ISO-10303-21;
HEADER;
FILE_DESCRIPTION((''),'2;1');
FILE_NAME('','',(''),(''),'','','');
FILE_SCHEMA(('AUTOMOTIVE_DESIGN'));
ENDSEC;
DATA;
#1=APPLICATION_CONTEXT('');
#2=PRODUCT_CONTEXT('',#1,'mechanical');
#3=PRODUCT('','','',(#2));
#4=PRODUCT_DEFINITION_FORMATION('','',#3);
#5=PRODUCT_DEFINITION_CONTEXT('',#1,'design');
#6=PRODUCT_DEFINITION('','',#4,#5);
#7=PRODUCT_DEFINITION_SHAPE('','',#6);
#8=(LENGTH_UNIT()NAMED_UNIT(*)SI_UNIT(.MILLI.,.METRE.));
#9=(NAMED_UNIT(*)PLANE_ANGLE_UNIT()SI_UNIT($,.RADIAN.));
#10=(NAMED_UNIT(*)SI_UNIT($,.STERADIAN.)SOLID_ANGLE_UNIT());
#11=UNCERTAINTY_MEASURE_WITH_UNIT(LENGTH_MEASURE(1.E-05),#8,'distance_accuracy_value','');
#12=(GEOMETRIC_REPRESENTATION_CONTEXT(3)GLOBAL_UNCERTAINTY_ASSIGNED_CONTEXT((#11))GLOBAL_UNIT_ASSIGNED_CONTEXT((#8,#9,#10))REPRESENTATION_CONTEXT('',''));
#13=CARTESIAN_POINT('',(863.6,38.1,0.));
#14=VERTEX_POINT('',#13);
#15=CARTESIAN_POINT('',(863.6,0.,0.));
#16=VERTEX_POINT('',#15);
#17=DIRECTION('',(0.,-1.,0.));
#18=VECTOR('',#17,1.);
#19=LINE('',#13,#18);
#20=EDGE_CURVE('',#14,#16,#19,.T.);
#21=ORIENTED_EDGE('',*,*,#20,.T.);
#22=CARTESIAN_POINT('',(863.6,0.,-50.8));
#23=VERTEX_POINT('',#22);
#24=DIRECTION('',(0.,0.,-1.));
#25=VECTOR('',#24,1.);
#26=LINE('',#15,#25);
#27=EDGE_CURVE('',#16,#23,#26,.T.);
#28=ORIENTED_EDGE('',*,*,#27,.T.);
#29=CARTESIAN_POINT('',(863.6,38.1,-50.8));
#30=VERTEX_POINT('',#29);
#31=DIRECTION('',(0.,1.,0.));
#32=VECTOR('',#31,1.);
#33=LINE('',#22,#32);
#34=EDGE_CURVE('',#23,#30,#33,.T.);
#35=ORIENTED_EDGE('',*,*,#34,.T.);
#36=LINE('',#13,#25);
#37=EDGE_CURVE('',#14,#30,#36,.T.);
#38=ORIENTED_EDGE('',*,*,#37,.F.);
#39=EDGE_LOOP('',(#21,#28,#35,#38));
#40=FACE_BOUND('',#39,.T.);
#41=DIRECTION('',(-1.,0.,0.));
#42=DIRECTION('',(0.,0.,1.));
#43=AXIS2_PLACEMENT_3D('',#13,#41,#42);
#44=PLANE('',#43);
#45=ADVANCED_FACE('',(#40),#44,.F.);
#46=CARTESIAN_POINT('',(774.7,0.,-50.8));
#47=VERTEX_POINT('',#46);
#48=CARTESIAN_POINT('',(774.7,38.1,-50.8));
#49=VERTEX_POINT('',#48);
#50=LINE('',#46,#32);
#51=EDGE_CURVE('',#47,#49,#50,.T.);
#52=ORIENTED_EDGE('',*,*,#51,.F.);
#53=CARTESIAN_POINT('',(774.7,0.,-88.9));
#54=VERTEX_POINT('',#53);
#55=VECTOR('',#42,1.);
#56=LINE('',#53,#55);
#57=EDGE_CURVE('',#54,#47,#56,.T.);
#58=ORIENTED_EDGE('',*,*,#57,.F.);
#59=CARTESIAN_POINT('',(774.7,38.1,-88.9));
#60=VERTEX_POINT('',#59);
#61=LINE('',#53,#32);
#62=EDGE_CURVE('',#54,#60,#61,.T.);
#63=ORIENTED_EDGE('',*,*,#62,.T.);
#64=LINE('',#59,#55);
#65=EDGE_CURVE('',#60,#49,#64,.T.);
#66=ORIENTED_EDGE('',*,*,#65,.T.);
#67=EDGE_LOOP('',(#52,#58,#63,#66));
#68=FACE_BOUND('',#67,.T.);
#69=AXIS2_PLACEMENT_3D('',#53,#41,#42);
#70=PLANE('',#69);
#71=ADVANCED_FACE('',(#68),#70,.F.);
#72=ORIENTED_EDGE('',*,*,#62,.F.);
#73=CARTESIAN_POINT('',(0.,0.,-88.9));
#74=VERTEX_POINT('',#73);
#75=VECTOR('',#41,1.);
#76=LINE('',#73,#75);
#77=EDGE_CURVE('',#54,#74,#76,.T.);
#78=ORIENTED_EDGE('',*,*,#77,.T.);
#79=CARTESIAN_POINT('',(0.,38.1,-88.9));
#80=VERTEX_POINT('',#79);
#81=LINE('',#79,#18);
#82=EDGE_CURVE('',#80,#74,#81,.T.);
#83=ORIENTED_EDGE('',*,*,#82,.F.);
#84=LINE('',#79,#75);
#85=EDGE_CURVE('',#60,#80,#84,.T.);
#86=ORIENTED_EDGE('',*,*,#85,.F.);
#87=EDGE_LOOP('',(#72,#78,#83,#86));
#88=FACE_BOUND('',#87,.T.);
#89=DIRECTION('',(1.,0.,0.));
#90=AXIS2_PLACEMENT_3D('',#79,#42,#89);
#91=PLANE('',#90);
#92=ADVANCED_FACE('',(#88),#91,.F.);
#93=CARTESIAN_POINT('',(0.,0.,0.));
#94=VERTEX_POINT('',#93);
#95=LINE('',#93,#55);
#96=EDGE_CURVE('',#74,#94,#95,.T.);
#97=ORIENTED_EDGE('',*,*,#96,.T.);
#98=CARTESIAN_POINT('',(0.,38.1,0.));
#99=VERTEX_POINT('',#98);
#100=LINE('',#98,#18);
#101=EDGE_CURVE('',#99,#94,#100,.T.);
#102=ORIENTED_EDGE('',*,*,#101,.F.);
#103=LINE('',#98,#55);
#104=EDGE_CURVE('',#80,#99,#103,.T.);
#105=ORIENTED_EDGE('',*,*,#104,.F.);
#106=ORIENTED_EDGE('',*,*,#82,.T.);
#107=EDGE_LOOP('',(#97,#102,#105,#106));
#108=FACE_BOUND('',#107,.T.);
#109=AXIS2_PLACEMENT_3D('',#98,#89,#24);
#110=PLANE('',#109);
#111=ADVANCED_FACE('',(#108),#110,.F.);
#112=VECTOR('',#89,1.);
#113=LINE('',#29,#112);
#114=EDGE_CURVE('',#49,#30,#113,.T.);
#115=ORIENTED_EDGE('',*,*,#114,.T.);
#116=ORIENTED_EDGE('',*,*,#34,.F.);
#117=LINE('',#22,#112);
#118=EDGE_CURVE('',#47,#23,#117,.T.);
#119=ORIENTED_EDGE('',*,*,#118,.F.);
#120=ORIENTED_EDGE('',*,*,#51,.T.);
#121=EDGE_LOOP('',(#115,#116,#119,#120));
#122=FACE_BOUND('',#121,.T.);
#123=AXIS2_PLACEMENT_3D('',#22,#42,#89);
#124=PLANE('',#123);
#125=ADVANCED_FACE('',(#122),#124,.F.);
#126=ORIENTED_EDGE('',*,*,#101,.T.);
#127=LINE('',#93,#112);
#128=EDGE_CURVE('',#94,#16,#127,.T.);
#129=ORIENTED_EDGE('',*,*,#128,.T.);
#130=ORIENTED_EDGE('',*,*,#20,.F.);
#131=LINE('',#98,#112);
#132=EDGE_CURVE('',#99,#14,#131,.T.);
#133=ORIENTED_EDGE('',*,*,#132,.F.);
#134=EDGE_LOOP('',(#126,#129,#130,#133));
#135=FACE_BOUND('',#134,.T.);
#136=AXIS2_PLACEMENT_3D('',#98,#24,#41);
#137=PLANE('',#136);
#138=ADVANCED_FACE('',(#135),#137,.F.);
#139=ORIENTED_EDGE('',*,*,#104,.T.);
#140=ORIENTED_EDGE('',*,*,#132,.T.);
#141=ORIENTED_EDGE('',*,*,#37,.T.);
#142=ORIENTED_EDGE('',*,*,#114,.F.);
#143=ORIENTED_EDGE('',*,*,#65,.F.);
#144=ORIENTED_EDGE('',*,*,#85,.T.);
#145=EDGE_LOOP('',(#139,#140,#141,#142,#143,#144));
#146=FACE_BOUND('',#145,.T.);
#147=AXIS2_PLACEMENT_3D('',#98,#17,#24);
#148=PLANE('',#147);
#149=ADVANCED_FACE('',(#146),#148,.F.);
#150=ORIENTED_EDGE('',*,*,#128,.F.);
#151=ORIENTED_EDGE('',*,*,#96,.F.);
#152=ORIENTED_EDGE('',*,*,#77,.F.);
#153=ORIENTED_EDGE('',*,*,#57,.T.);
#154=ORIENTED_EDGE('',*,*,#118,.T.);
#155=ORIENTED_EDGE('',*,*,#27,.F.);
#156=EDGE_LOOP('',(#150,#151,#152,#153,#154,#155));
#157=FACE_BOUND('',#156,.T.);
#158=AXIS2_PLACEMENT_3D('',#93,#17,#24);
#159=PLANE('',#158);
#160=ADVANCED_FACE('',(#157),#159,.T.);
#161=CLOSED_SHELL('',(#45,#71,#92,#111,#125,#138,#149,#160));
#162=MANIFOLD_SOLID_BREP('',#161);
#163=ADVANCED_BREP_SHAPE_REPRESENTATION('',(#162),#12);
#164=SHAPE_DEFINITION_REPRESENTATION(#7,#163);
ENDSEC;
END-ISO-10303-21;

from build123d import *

# Parameters (mm, degrees)
SKETCH1_W           = 863.6
SKETCH1_H           = 88.9
BOSS_EXTRUDE1_DEPTH = 38.1
SKETCH3_W           = 88.9
SKETCH3_H           = 38.1
CUT_EXTRUDE1_DEPTH  = 39.1


with BuildPart() as part:
    # Sketch1 → Boss-Extrude1 (new body)
    with BuildSketch(Plane(origin=(0, 0, 0), x_dir=(1, 0, 0), z_dir=(0, 1, 0))):
        with Locations((431.8, 44.45)):
            Rectangle(SKETCH1_W, SKETCH1_H)
    extrude(amount=BOSS_EXTRUDE1_DEPTH)

    # Sketch3 → Cut-Extrude1 (cut, through all)
    with BuildSketch(Plane(origin=(0, 38.1, 0), x_dir=(1, 0, 0), z_dir=(0, 1, 0))):
        with Locations((819.15, 69.85)):
            Rectangle(SKETCH3_W, SKETCH3_H)
    extrude(amount=-CUT_EXTRUDE1_DEPTH, mode=Mode.SUBTRACT)


solid = part.part
